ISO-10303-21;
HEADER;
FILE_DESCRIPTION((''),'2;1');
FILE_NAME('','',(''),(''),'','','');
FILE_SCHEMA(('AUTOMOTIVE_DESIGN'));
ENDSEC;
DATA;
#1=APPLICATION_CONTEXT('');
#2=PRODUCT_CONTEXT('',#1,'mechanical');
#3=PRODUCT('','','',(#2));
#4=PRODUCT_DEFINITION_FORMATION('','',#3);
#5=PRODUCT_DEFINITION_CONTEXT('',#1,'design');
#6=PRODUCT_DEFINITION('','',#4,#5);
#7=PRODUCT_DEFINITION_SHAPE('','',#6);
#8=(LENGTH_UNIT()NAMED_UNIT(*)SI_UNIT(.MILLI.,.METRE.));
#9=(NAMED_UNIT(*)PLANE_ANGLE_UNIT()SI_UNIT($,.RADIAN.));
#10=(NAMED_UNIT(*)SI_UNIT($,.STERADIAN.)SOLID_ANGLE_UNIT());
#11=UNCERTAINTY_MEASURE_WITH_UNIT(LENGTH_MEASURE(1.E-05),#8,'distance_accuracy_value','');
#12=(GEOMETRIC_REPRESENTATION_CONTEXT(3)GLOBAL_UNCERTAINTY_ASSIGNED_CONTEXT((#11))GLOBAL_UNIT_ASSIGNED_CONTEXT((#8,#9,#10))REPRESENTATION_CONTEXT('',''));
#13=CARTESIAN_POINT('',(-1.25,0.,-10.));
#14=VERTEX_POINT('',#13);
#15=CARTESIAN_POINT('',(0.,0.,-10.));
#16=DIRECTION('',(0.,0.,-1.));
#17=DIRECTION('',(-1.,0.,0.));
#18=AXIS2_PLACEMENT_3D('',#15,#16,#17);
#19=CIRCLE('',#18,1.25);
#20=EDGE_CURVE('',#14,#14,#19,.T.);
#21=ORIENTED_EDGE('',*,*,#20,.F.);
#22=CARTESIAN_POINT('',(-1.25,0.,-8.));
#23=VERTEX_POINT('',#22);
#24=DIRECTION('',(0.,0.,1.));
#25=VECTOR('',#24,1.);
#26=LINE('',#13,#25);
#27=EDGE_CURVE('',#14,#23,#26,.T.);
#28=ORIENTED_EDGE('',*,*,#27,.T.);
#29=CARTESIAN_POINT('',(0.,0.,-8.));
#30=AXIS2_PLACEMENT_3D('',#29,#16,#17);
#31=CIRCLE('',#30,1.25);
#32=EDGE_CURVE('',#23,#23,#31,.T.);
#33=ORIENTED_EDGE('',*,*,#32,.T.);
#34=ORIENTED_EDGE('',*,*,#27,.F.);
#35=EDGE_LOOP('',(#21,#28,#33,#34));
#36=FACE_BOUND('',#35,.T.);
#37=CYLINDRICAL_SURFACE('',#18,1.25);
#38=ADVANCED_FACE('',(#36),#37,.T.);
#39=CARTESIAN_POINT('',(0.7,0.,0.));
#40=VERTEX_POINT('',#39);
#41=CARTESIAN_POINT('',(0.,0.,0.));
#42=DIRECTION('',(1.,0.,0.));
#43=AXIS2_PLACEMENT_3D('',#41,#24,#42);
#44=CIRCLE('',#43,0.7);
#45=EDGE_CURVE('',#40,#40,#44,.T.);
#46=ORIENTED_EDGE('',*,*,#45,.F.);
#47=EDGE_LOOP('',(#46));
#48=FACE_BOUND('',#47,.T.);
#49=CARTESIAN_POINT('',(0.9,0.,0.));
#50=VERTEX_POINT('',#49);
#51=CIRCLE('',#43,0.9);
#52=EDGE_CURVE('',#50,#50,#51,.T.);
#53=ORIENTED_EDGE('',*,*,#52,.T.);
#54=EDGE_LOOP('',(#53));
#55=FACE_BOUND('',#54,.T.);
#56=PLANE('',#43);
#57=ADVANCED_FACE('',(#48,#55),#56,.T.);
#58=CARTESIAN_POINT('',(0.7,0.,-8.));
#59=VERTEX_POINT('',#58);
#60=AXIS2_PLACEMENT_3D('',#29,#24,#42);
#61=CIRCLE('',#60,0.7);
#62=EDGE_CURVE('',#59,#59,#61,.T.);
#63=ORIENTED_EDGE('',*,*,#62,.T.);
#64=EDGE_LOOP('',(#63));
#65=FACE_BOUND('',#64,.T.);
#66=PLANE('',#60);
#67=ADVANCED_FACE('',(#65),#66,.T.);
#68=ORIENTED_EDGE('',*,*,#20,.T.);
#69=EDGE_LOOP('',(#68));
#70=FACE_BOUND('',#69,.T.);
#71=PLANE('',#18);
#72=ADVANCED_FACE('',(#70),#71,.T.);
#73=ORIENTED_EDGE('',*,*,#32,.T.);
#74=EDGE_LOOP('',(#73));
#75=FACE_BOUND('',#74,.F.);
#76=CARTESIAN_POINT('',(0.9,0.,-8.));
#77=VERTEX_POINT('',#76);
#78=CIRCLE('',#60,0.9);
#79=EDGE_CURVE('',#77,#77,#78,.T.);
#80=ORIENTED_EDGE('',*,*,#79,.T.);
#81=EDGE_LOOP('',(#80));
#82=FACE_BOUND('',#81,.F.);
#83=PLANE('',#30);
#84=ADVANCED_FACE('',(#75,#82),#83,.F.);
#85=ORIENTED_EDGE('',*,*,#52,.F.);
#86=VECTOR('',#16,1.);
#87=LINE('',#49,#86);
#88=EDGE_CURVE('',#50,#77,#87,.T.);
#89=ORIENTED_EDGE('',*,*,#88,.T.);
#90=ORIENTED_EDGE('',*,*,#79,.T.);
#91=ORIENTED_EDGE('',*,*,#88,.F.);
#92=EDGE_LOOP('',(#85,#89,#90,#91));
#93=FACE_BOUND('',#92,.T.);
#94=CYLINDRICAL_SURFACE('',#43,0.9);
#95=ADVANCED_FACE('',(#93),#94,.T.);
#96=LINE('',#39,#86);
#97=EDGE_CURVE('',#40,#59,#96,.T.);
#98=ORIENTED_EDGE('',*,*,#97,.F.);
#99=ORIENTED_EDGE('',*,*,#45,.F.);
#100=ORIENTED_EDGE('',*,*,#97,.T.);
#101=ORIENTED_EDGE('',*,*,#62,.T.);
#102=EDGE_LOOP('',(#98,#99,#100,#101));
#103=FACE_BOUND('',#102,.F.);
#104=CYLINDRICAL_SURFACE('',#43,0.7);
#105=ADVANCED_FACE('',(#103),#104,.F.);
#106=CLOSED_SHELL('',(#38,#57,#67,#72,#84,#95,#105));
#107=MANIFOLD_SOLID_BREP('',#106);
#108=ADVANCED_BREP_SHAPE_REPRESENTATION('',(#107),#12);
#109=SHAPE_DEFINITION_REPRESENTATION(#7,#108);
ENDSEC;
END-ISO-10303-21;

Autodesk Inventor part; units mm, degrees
ref_plane "YZ Plane" through (0, 0, 0) normal (1, 0, 0) x (0, 1, 0)
ref_plane "XZ Plane" through (0, 0, 0) normal (0, 1, 0) x (-1, 0, 0)
ref_plane "XY Plane" through (0, 0, 0) normal (0, 0, 1) x (1, 0, 0)
sketch "Esboço1" plane through (0, 0, 0) normal (0, 0, 1) x (1, 0, 0)
  circle A0 centre (0, 0) radius 0.9
  dimension "d0" = 1.8
extrude "Extrusão1" add sketch "Esboço1" against normal blind 10
sketch "Esboço2" plane through (0, 0, -10) normal (0, 0, -1) x (-1, 0, 0)
  circle A0 centre (0, 0) radius 1.25
  dimension "d3" = 2.5
extrude "Extrusão2" add sketch "Esboço2" against normal blind 2
sketch "Esboço3" plane through (0, 0, 0) normal (0, 0, 1) x (1, 0, 0)
  circle A0 centre (0, 0) radius 0.7
  dimension "d6" = 1.4
extrude "Extrusão3" cut sketch "Esboço3" against normal blind 8
thread "Rosca1" size "M1.4x0.3" class "6H" standard "ANSI Metric M Profile" full length
properties material "Liga de Nickel-Copper 400"
